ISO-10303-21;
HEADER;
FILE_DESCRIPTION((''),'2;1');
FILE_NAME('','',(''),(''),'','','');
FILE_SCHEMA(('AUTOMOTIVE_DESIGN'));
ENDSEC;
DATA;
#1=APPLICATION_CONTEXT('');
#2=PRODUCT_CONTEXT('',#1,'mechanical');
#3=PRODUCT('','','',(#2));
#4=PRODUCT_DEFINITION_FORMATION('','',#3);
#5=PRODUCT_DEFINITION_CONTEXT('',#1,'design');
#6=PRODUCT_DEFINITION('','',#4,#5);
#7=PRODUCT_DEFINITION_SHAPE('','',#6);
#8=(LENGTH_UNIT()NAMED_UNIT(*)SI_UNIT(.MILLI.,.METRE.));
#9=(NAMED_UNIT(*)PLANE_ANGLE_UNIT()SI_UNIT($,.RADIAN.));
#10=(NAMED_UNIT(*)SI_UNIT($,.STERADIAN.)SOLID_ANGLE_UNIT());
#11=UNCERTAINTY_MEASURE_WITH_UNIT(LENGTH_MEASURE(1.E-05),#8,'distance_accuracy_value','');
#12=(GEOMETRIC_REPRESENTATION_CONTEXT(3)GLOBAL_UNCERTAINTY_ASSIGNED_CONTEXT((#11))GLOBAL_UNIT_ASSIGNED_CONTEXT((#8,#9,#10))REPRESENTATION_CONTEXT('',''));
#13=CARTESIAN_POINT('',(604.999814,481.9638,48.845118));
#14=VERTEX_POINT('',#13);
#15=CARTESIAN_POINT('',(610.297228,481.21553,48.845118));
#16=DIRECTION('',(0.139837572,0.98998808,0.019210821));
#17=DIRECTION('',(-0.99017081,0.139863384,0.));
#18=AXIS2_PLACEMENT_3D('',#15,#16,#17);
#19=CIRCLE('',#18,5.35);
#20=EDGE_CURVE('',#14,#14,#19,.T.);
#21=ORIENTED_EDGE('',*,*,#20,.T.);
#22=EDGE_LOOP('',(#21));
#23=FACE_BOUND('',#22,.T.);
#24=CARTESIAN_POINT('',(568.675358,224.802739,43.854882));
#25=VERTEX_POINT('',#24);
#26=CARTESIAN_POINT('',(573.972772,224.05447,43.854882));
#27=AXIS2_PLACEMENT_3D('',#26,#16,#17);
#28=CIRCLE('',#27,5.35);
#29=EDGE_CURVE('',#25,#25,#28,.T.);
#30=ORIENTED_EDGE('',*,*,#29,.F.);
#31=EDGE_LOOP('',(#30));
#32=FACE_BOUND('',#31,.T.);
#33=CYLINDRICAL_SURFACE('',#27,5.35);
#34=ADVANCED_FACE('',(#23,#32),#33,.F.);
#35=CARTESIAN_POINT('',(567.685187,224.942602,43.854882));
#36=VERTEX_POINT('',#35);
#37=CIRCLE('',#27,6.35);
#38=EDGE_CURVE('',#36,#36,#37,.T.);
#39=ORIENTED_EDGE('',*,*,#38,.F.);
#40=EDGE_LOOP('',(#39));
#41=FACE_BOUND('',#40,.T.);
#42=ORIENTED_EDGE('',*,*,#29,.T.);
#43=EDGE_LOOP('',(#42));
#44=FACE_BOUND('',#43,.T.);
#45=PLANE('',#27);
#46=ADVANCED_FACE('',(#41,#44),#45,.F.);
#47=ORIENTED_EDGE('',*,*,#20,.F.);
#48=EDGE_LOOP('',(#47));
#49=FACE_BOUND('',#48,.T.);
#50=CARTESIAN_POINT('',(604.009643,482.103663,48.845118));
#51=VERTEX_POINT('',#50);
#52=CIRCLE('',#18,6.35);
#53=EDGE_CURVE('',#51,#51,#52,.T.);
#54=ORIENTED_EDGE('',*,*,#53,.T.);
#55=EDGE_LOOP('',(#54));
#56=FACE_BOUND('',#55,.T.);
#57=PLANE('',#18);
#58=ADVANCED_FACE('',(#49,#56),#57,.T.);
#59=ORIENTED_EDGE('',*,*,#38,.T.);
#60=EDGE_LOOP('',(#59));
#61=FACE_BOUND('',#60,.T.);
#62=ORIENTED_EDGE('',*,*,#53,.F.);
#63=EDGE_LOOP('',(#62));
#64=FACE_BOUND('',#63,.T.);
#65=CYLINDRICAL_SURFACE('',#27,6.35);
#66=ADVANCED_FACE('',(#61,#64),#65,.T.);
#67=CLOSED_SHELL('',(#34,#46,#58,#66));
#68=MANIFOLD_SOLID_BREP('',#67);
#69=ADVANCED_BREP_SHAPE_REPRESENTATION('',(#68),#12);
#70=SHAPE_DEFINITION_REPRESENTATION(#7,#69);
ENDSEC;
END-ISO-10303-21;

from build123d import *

# Parameters (mm, degrees)
SWEEP_THIN1_PROFILE_R   = 6.35
SWEEP_THIN1_PROFILE_R_2 = 5.35


with BuildPart() as part:
    # Sweep-Thin1: sweep along a curve in space
    with BuildLine() as sweep_thin1_path:
        Line((573.972771974, 224.054469541, 43.85488153), (610.297228026, 481.215530459, 48.84511847))
    # Sweep-Thin1 profile (on start of the path) → Sweep-Thin1 (sweep)
    with BuildSketch(Plane(origin=(573.972771974, 224.054469541, 43.85488153), x_dir=(0.9901708104920794, -0.13986338351927066, 0), z_dir=(0.13983757245237904, 0.9899880795700851, 0.019210820902828444))):
        Circle(SWEEP_THIN1_PROFILE_R)
        Circle(SWEEP_THIN1_PROFILE_R_2, mode=Mode.SUBTRACT)
    sweep(path=sweep_thin1_path.line)


solid = part.part
